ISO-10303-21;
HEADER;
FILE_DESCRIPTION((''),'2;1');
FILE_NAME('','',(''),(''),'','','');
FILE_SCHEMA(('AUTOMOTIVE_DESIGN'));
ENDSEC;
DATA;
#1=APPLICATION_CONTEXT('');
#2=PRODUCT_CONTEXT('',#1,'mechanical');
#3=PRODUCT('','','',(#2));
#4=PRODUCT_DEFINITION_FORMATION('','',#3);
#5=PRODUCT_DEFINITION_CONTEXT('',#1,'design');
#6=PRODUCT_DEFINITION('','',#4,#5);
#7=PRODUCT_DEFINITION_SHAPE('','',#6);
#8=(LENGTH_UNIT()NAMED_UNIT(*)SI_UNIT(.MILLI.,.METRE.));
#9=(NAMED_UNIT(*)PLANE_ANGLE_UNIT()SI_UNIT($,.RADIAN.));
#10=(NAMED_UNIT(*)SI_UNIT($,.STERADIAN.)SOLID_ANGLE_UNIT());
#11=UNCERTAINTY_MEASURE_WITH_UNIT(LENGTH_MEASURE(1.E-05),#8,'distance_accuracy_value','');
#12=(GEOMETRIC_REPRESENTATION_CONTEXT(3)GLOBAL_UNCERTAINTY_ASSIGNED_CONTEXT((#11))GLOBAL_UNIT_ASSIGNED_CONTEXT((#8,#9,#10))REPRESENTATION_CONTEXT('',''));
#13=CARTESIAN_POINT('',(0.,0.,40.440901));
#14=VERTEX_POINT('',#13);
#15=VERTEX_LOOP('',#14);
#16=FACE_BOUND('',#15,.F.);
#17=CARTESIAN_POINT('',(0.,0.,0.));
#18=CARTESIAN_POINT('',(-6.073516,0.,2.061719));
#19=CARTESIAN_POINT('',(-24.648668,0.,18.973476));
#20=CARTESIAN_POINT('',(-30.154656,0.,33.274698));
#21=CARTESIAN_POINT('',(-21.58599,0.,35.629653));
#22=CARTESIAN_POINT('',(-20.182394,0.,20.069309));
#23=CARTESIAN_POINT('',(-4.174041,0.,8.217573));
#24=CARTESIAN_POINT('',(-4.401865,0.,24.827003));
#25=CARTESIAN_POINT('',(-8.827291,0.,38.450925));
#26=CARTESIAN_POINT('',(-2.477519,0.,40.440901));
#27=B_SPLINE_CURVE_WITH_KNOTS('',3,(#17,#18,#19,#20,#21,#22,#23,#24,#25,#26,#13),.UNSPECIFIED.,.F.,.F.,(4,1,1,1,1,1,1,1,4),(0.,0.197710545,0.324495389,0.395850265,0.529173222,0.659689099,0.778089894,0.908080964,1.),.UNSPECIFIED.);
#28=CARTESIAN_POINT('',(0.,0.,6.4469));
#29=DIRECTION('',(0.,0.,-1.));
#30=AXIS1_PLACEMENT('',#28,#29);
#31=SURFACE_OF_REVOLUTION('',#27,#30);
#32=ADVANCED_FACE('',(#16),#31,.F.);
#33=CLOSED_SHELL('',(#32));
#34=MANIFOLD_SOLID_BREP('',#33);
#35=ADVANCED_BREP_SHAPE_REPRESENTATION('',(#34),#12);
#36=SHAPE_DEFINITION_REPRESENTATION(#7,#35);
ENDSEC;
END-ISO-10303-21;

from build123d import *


with BuildPart() as f1:
    # F0 (on Front) → F1 (revolve)
    with BuildSketch(Plane.XZ):
        with BuildLine():
            Line((0, 0), (0, 40.4409007859))
            add(Edge.make_bspline(
                [(0, 0), (-6.0735156515, 2.061719294), (-24.6486680594, 18.9734763398), (-30.1546555787, 33.2746984427), (-21.5859904682, 35.6296534938), (-20.1823943981, 20.0693088574), (-4.1740408323, 8.217573091), (-4.401865494, 24.8270034217), (-8.8272912417, 38.4509254901), (-2.4775190577, 40.4409007859), (0, 40.4409007859)],
                knots=[0, 0, 0, 0, 0.1977105445, 0.324495389, 0.3958502653, 0.5291732223, 0.6596890991, 0.7780898944, 0.9080809641, 1, 1, 1, 1], degree=3))
        make_face()
    revolve(axis=Axis((0, 0, 6.4468998462), (0, 0, -1)))


solid = f1.part
